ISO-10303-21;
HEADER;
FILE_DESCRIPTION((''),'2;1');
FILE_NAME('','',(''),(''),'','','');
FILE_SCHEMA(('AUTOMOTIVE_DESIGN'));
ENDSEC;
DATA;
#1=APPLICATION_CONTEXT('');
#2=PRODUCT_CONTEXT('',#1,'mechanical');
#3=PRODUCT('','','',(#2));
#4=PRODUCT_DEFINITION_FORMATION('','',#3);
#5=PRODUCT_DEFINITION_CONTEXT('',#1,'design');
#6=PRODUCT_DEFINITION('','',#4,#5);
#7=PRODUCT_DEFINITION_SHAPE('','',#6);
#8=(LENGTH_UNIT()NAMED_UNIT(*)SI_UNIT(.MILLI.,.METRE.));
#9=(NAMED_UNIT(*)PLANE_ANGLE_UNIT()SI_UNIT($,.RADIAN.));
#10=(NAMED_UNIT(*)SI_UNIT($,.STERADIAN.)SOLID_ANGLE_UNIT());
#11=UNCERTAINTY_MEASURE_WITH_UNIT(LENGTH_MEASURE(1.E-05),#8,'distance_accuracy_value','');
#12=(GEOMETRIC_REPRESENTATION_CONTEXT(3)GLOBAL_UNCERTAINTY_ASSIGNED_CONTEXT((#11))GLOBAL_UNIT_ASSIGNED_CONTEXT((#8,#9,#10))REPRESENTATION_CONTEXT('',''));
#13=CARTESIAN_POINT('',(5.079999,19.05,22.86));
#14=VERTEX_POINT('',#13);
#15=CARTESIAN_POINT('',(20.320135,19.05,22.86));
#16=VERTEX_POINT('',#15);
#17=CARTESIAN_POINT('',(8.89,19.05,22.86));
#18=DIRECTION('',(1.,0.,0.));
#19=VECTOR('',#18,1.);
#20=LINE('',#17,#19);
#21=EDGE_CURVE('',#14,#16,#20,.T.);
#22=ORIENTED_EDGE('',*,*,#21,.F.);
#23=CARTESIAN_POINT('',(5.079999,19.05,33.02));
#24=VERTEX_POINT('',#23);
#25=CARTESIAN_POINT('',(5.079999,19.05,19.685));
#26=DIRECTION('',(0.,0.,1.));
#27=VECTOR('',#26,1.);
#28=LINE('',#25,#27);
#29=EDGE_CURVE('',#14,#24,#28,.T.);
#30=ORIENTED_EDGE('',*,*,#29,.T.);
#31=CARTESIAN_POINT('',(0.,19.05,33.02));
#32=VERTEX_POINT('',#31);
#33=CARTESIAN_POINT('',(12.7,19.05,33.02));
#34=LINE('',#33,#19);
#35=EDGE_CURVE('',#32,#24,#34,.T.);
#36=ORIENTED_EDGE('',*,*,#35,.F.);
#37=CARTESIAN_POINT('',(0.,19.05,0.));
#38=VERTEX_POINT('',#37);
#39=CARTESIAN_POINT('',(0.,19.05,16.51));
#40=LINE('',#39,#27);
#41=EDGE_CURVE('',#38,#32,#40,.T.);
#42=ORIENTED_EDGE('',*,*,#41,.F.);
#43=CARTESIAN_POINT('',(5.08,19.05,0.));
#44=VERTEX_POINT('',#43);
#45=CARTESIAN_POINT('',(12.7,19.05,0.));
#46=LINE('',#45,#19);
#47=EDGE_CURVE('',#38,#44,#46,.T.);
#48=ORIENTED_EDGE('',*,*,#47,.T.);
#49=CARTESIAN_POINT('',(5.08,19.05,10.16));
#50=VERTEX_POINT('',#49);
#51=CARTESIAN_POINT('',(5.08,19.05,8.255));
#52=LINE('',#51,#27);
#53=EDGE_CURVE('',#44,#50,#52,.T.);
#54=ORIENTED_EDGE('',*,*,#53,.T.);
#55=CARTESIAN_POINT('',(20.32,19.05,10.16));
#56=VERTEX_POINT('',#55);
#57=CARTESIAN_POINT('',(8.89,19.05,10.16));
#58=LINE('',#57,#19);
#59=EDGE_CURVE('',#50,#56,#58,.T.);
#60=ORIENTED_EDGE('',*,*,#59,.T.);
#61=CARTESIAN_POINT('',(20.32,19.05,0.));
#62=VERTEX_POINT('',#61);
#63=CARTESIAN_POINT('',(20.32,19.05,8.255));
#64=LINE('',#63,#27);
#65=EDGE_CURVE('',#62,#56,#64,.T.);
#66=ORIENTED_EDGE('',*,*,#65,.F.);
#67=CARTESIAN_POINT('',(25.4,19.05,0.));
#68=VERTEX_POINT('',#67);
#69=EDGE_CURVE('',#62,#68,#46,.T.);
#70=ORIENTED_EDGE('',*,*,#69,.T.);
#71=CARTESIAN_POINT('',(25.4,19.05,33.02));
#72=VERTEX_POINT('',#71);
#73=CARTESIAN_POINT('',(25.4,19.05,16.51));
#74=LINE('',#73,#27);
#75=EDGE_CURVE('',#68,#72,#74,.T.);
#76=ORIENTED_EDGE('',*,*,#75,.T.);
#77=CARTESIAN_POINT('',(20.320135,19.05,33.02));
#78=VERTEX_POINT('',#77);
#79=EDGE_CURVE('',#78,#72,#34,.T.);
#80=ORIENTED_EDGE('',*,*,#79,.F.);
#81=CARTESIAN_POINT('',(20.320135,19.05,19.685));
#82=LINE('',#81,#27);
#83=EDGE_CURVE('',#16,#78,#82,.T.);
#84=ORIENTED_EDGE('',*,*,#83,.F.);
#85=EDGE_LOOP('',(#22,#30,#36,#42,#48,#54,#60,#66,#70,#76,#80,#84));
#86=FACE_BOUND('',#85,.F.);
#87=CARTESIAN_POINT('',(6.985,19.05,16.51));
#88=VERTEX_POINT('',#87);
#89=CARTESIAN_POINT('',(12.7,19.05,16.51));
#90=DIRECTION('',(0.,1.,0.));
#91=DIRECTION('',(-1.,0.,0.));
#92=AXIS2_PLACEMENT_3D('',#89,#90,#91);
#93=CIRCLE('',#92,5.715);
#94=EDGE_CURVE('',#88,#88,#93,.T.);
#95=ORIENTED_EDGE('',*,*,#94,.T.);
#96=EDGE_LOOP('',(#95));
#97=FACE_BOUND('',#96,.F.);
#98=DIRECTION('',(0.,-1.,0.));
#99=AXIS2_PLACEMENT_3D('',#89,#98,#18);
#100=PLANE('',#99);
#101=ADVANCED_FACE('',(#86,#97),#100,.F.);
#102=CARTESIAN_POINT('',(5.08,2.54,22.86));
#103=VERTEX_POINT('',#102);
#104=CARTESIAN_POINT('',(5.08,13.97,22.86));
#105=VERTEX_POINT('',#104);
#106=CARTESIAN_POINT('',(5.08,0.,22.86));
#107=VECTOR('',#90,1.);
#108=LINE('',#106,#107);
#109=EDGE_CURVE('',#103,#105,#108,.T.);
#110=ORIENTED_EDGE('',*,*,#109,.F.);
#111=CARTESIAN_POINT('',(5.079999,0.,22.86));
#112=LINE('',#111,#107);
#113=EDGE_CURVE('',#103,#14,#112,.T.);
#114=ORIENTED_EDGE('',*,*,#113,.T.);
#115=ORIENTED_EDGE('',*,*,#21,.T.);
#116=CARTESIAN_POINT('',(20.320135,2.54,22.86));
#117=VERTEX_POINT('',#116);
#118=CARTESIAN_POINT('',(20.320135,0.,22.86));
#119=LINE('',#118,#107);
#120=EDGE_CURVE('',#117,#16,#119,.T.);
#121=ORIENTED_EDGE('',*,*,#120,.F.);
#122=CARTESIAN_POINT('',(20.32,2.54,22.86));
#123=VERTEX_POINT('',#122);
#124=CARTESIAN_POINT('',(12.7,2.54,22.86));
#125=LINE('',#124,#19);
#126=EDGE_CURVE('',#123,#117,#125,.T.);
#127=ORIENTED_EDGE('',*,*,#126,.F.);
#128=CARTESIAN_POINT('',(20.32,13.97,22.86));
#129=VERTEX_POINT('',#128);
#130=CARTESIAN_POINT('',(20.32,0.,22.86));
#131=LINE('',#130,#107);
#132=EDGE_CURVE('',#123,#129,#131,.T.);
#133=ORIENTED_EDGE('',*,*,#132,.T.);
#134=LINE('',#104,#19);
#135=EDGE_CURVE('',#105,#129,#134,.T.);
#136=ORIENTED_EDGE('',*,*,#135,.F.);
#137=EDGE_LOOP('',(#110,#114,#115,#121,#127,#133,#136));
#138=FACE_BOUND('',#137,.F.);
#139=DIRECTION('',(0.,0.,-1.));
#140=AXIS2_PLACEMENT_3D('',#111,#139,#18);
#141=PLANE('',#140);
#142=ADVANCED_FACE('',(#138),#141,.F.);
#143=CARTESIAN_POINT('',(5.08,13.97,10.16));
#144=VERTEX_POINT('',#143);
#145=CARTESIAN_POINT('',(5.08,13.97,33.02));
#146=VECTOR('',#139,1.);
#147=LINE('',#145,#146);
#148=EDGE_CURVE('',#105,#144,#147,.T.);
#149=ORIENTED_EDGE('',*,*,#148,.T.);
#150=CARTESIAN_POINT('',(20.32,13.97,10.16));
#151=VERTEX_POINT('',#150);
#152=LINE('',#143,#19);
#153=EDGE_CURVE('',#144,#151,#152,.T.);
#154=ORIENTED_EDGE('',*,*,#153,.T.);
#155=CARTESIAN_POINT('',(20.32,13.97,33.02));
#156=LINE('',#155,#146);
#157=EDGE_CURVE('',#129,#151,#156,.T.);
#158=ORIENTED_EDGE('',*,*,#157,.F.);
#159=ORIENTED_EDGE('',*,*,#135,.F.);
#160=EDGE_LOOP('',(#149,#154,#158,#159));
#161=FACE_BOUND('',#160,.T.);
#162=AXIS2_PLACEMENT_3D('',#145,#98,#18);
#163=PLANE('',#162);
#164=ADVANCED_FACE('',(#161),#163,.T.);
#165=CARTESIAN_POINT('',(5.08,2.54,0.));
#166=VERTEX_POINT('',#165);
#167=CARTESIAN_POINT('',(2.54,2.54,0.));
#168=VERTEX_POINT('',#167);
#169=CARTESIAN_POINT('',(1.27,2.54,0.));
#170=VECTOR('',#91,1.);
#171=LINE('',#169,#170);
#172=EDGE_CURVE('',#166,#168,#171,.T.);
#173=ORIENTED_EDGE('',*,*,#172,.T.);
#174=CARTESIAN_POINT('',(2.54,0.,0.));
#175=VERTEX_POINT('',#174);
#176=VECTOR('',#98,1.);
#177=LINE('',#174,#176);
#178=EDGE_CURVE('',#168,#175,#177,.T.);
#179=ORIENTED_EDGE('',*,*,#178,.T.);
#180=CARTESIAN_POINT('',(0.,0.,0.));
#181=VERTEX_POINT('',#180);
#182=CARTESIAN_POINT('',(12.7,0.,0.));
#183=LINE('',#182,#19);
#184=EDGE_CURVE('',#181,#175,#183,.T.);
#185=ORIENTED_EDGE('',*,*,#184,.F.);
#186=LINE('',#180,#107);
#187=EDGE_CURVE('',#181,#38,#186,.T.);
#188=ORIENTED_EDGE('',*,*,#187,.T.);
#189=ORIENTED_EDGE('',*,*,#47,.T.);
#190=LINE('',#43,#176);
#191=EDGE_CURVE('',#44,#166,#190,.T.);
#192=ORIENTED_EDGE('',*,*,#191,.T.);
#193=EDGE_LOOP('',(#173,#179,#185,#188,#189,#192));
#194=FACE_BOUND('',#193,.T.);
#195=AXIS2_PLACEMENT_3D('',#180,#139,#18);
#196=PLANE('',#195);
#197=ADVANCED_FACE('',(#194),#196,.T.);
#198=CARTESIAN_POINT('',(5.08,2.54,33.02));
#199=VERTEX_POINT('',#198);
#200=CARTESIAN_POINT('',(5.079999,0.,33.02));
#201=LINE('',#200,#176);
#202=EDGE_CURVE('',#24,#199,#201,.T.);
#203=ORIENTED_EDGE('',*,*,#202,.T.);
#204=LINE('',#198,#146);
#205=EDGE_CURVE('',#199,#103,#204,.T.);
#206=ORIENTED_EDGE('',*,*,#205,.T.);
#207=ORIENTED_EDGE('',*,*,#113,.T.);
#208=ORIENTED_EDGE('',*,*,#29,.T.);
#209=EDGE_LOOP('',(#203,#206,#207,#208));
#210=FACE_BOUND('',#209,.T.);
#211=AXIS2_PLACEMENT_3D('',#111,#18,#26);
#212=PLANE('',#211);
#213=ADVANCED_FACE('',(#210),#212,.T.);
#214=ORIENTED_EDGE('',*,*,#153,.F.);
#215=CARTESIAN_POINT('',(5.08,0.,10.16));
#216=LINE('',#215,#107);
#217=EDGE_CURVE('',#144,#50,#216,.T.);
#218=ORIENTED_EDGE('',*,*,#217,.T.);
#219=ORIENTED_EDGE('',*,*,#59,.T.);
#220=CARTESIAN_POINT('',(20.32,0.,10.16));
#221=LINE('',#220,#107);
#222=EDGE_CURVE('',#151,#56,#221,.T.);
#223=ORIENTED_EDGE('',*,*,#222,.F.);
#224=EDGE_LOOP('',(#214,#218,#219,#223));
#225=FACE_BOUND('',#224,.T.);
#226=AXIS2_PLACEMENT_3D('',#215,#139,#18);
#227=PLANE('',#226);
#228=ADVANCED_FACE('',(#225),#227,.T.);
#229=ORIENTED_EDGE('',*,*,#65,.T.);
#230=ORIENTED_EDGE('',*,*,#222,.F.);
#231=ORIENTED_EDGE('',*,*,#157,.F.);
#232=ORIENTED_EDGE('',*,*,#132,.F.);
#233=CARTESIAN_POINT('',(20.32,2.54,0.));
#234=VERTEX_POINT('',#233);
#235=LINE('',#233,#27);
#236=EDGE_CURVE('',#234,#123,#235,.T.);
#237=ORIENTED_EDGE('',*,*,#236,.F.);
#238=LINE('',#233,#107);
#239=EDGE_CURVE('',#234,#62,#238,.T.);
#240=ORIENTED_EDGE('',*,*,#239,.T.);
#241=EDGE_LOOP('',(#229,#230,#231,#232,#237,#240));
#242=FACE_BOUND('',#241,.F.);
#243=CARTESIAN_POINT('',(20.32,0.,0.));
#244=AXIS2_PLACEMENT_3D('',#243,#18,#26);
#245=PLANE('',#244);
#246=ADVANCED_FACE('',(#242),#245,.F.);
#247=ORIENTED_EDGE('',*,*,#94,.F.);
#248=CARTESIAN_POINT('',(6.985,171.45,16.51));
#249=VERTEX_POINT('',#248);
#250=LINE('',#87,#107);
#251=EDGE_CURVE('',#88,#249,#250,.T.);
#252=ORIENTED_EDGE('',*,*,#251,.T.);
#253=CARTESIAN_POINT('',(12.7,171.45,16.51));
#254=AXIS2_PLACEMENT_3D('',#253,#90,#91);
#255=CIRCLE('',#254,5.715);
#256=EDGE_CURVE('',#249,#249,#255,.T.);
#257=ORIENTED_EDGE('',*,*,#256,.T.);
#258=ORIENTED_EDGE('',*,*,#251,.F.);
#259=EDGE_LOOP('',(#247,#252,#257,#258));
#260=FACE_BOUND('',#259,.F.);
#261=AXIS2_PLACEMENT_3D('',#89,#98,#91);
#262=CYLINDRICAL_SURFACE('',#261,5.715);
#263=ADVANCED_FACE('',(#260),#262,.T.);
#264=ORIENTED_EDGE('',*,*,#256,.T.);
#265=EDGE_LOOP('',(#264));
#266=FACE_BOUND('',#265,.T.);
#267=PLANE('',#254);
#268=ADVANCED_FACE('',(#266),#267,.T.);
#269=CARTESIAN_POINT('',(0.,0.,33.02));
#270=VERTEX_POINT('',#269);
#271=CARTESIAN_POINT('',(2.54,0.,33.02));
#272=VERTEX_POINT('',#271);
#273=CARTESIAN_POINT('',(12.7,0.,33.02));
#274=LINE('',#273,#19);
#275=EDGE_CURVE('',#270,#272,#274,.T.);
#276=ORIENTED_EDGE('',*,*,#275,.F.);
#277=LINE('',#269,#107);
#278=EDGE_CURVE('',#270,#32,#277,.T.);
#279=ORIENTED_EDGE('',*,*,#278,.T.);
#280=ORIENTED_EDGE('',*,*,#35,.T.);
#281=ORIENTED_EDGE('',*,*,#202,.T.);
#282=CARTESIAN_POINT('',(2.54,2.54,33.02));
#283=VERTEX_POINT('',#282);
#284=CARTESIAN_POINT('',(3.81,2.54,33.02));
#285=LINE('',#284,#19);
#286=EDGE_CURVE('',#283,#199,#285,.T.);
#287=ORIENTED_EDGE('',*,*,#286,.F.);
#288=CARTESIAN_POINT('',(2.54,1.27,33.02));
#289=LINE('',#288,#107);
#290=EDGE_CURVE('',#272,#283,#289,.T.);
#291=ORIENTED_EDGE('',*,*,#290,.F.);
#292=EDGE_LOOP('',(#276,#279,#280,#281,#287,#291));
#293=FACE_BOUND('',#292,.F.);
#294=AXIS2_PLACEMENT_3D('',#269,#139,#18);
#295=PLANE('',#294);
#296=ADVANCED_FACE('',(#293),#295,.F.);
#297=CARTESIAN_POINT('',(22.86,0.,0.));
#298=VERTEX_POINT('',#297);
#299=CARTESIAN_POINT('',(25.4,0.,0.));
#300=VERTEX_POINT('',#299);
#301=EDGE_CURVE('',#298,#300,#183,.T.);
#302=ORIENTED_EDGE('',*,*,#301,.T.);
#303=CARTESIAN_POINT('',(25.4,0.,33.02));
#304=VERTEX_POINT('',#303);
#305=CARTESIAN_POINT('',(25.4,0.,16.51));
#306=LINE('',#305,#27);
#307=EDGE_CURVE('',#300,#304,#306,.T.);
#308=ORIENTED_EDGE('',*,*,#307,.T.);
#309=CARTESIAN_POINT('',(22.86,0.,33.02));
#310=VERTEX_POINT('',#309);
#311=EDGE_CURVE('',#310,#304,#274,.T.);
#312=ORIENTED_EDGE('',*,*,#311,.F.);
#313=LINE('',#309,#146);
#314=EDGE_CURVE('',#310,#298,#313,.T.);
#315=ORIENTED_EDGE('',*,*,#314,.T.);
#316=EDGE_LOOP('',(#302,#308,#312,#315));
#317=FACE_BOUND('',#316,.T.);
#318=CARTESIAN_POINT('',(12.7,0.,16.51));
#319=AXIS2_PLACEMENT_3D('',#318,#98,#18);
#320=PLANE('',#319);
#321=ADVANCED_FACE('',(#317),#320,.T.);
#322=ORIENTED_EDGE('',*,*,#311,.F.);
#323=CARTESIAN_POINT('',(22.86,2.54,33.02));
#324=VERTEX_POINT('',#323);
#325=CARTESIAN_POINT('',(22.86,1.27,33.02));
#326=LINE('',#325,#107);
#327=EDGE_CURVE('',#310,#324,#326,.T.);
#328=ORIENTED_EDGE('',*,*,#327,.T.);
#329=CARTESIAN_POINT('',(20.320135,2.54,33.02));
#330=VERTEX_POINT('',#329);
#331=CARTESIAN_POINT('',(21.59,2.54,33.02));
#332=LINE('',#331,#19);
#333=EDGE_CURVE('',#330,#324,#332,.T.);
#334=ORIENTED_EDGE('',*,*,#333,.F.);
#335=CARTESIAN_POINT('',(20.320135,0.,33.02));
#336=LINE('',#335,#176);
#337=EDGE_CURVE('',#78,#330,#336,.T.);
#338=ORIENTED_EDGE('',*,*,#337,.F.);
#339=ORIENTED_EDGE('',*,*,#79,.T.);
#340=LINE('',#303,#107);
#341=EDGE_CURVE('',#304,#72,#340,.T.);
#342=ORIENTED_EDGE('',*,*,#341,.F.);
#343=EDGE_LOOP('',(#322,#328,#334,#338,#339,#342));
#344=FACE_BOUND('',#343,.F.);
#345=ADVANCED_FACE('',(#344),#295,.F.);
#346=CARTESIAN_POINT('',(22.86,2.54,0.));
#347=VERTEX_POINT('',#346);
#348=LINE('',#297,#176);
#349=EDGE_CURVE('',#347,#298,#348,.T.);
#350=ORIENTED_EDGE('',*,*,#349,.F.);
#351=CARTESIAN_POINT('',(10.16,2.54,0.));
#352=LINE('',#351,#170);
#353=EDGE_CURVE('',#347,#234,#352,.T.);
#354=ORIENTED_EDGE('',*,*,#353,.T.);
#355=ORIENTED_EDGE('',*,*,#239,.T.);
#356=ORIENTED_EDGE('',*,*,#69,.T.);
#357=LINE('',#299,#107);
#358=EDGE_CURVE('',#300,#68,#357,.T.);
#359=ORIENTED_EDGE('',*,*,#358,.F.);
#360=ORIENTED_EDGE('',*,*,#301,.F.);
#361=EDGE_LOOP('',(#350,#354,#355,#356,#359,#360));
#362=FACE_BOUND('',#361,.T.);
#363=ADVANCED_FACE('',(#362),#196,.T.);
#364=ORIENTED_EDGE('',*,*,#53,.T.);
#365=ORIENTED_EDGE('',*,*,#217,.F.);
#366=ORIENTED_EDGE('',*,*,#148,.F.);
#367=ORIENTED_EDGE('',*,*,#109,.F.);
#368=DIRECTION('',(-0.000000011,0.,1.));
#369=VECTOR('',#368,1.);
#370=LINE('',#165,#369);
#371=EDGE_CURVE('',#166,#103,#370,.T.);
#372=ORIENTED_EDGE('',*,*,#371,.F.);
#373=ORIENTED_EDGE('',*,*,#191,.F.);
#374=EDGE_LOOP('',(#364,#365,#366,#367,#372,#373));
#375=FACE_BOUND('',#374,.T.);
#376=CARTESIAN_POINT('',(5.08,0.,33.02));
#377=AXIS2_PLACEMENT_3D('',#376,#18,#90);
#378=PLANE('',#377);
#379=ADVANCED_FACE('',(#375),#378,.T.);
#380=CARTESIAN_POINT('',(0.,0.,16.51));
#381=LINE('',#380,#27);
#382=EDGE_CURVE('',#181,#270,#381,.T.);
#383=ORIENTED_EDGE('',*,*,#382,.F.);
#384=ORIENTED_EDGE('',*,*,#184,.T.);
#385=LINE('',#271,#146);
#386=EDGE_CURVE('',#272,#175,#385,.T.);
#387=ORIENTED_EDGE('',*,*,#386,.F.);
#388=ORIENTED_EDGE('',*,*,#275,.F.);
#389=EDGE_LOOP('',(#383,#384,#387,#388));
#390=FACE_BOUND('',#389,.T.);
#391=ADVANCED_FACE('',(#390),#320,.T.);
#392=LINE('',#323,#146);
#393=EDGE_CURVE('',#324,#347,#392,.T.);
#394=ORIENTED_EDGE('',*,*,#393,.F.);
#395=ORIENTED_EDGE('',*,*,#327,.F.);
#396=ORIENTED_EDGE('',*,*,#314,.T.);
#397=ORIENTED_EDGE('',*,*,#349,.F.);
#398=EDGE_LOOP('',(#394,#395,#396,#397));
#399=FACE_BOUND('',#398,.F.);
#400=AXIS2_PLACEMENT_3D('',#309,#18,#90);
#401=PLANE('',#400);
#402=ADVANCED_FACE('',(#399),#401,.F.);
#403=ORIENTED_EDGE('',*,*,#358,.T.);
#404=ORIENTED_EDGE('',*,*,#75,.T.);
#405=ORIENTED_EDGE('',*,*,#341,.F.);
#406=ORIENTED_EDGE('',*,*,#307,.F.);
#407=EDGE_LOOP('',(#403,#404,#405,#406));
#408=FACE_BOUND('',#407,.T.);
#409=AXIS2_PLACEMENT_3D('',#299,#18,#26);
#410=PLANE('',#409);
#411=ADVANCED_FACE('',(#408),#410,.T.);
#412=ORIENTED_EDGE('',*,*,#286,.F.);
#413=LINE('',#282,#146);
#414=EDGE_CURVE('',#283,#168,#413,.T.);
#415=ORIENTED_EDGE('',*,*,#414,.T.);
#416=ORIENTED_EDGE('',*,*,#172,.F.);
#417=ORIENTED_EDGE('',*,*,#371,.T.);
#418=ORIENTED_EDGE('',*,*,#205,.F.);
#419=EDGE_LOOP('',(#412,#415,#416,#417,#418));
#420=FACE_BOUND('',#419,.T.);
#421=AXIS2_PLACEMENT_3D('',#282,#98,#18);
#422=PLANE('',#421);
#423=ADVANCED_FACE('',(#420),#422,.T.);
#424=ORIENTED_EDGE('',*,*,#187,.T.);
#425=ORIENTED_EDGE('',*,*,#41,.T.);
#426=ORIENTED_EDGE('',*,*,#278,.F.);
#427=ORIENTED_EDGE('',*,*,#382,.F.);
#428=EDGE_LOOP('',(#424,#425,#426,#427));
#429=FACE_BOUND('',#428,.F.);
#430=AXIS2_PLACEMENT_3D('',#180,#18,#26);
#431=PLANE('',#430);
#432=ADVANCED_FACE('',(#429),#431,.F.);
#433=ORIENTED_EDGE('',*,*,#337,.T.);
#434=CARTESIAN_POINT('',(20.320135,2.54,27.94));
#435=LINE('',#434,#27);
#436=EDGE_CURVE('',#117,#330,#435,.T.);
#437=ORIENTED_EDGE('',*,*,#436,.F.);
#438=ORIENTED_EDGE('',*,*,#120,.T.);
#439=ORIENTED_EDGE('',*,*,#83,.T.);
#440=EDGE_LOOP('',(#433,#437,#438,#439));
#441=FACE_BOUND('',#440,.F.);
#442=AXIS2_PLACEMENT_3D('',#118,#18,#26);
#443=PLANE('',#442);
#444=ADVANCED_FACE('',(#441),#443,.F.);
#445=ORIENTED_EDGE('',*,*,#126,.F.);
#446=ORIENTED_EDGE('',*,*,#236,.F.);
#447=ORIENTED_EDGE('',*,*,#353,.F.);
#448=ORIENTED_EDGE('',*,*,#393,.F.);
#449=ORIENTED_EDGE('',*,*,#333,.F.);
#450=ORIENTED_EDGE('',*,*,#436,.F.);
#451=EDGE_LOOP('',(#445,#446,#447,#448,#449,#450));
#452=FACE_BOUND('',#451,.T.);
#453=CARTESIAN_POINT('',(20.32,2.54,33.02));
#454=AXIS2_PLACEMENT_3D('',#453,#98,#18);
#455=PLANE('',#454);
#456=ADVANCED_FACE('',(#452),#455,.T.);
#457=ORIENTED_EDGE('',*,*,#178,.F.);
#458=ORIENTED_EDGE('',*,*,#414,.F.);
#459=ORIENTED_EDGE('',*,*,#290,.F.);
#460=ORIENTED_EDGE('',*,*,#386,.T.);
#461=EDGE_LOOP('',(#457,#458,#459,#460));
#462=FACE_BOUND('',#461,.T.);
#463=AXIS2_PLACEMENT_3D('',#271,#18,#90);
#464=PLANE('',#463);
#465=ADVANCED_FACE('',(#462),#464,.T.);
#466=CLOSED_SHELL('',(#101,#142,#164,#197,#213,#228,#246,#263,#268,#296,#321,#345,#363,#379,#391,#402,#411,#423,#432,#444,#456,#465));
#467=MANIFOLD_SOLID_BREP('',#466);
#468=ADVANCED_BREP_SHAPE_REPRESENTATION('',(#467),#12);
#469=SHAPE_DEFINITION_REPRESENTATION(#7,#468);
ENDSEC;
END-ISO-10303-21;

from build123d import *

# Parameters (mm, degrees)
F0_W      = 25.4
F0_H      = 33.02
F2_DEPTH  = 19.05
F3_W      = 15.24
F3_H      = 13.97
F4_DEPTH  = 33.021
F5_W      = 2.54
F5_H      = 2.54
F6_DEPTH  = 33.021
F8_W      = 15.240135
F8_H      = 10.197046
F8_W_2    = 15.24
F8_H_2    = 10.16
F9_DEPTH  = 19.051
F11_R     = 5.715
F12_DEPTH = 152.4


with BuildPart() as f2:
    # F0 (on Front) → F2 (new body)
    with BuildSketch(Plane.XZ):
        with Locations((12.7, 16.51)):
            Rectangle(F0_W, F0_H)
    extrude(amount=-F2_DEPTH)

    # F3 (on face) → F4 (cut, through all)
    with BuildSketch(Plane.XY.offset(33.02)):
        with Locations((12.7, 6.985)):
            Rectangle(F3_W, F3_H)
    extrude(amount=-F4_DEPTH, mode=Mode.SUBTRACT)

    # F5 (on face) → F6 (cut, through all)
    with BuildSketch(Plane.XY.offset(33.02)):
        with Locations((3.81, 1.27)):
            Rectangle(F5_W, F5_H)
        with Locations((21.59, 1.27)):
            Rectangle(F5_W, F5_H)
    extrude(amount=-F6_DEPTH, mode=Mode.SUBTRACT)

    # F8 (on face) → F9 (cut, through all)
    with BuildSketch(Plane.XZ):
        with Locations((12.700067, 27.958523)):
            Rectangle(F8_W, F8_H)
        with Locations((12.7, 5.08)):
            Rectangle(F8_W_2, F8_H_2)
    extrude(amount=-F9_DEPTH, mode=Mode.SUBTRACT)

    # F11 (on face) → F12 (join)
    with BuildSketch(Plane(origin=(0, 19.05, 0), x_dir=(-1, 0, 0), z_dir=(0, 1, 0))):
        with Locations((-12.7, 16.51)):
            Circle(F11_R)
    extrude(amount=F12_DEPTH)


solid = f2.part
